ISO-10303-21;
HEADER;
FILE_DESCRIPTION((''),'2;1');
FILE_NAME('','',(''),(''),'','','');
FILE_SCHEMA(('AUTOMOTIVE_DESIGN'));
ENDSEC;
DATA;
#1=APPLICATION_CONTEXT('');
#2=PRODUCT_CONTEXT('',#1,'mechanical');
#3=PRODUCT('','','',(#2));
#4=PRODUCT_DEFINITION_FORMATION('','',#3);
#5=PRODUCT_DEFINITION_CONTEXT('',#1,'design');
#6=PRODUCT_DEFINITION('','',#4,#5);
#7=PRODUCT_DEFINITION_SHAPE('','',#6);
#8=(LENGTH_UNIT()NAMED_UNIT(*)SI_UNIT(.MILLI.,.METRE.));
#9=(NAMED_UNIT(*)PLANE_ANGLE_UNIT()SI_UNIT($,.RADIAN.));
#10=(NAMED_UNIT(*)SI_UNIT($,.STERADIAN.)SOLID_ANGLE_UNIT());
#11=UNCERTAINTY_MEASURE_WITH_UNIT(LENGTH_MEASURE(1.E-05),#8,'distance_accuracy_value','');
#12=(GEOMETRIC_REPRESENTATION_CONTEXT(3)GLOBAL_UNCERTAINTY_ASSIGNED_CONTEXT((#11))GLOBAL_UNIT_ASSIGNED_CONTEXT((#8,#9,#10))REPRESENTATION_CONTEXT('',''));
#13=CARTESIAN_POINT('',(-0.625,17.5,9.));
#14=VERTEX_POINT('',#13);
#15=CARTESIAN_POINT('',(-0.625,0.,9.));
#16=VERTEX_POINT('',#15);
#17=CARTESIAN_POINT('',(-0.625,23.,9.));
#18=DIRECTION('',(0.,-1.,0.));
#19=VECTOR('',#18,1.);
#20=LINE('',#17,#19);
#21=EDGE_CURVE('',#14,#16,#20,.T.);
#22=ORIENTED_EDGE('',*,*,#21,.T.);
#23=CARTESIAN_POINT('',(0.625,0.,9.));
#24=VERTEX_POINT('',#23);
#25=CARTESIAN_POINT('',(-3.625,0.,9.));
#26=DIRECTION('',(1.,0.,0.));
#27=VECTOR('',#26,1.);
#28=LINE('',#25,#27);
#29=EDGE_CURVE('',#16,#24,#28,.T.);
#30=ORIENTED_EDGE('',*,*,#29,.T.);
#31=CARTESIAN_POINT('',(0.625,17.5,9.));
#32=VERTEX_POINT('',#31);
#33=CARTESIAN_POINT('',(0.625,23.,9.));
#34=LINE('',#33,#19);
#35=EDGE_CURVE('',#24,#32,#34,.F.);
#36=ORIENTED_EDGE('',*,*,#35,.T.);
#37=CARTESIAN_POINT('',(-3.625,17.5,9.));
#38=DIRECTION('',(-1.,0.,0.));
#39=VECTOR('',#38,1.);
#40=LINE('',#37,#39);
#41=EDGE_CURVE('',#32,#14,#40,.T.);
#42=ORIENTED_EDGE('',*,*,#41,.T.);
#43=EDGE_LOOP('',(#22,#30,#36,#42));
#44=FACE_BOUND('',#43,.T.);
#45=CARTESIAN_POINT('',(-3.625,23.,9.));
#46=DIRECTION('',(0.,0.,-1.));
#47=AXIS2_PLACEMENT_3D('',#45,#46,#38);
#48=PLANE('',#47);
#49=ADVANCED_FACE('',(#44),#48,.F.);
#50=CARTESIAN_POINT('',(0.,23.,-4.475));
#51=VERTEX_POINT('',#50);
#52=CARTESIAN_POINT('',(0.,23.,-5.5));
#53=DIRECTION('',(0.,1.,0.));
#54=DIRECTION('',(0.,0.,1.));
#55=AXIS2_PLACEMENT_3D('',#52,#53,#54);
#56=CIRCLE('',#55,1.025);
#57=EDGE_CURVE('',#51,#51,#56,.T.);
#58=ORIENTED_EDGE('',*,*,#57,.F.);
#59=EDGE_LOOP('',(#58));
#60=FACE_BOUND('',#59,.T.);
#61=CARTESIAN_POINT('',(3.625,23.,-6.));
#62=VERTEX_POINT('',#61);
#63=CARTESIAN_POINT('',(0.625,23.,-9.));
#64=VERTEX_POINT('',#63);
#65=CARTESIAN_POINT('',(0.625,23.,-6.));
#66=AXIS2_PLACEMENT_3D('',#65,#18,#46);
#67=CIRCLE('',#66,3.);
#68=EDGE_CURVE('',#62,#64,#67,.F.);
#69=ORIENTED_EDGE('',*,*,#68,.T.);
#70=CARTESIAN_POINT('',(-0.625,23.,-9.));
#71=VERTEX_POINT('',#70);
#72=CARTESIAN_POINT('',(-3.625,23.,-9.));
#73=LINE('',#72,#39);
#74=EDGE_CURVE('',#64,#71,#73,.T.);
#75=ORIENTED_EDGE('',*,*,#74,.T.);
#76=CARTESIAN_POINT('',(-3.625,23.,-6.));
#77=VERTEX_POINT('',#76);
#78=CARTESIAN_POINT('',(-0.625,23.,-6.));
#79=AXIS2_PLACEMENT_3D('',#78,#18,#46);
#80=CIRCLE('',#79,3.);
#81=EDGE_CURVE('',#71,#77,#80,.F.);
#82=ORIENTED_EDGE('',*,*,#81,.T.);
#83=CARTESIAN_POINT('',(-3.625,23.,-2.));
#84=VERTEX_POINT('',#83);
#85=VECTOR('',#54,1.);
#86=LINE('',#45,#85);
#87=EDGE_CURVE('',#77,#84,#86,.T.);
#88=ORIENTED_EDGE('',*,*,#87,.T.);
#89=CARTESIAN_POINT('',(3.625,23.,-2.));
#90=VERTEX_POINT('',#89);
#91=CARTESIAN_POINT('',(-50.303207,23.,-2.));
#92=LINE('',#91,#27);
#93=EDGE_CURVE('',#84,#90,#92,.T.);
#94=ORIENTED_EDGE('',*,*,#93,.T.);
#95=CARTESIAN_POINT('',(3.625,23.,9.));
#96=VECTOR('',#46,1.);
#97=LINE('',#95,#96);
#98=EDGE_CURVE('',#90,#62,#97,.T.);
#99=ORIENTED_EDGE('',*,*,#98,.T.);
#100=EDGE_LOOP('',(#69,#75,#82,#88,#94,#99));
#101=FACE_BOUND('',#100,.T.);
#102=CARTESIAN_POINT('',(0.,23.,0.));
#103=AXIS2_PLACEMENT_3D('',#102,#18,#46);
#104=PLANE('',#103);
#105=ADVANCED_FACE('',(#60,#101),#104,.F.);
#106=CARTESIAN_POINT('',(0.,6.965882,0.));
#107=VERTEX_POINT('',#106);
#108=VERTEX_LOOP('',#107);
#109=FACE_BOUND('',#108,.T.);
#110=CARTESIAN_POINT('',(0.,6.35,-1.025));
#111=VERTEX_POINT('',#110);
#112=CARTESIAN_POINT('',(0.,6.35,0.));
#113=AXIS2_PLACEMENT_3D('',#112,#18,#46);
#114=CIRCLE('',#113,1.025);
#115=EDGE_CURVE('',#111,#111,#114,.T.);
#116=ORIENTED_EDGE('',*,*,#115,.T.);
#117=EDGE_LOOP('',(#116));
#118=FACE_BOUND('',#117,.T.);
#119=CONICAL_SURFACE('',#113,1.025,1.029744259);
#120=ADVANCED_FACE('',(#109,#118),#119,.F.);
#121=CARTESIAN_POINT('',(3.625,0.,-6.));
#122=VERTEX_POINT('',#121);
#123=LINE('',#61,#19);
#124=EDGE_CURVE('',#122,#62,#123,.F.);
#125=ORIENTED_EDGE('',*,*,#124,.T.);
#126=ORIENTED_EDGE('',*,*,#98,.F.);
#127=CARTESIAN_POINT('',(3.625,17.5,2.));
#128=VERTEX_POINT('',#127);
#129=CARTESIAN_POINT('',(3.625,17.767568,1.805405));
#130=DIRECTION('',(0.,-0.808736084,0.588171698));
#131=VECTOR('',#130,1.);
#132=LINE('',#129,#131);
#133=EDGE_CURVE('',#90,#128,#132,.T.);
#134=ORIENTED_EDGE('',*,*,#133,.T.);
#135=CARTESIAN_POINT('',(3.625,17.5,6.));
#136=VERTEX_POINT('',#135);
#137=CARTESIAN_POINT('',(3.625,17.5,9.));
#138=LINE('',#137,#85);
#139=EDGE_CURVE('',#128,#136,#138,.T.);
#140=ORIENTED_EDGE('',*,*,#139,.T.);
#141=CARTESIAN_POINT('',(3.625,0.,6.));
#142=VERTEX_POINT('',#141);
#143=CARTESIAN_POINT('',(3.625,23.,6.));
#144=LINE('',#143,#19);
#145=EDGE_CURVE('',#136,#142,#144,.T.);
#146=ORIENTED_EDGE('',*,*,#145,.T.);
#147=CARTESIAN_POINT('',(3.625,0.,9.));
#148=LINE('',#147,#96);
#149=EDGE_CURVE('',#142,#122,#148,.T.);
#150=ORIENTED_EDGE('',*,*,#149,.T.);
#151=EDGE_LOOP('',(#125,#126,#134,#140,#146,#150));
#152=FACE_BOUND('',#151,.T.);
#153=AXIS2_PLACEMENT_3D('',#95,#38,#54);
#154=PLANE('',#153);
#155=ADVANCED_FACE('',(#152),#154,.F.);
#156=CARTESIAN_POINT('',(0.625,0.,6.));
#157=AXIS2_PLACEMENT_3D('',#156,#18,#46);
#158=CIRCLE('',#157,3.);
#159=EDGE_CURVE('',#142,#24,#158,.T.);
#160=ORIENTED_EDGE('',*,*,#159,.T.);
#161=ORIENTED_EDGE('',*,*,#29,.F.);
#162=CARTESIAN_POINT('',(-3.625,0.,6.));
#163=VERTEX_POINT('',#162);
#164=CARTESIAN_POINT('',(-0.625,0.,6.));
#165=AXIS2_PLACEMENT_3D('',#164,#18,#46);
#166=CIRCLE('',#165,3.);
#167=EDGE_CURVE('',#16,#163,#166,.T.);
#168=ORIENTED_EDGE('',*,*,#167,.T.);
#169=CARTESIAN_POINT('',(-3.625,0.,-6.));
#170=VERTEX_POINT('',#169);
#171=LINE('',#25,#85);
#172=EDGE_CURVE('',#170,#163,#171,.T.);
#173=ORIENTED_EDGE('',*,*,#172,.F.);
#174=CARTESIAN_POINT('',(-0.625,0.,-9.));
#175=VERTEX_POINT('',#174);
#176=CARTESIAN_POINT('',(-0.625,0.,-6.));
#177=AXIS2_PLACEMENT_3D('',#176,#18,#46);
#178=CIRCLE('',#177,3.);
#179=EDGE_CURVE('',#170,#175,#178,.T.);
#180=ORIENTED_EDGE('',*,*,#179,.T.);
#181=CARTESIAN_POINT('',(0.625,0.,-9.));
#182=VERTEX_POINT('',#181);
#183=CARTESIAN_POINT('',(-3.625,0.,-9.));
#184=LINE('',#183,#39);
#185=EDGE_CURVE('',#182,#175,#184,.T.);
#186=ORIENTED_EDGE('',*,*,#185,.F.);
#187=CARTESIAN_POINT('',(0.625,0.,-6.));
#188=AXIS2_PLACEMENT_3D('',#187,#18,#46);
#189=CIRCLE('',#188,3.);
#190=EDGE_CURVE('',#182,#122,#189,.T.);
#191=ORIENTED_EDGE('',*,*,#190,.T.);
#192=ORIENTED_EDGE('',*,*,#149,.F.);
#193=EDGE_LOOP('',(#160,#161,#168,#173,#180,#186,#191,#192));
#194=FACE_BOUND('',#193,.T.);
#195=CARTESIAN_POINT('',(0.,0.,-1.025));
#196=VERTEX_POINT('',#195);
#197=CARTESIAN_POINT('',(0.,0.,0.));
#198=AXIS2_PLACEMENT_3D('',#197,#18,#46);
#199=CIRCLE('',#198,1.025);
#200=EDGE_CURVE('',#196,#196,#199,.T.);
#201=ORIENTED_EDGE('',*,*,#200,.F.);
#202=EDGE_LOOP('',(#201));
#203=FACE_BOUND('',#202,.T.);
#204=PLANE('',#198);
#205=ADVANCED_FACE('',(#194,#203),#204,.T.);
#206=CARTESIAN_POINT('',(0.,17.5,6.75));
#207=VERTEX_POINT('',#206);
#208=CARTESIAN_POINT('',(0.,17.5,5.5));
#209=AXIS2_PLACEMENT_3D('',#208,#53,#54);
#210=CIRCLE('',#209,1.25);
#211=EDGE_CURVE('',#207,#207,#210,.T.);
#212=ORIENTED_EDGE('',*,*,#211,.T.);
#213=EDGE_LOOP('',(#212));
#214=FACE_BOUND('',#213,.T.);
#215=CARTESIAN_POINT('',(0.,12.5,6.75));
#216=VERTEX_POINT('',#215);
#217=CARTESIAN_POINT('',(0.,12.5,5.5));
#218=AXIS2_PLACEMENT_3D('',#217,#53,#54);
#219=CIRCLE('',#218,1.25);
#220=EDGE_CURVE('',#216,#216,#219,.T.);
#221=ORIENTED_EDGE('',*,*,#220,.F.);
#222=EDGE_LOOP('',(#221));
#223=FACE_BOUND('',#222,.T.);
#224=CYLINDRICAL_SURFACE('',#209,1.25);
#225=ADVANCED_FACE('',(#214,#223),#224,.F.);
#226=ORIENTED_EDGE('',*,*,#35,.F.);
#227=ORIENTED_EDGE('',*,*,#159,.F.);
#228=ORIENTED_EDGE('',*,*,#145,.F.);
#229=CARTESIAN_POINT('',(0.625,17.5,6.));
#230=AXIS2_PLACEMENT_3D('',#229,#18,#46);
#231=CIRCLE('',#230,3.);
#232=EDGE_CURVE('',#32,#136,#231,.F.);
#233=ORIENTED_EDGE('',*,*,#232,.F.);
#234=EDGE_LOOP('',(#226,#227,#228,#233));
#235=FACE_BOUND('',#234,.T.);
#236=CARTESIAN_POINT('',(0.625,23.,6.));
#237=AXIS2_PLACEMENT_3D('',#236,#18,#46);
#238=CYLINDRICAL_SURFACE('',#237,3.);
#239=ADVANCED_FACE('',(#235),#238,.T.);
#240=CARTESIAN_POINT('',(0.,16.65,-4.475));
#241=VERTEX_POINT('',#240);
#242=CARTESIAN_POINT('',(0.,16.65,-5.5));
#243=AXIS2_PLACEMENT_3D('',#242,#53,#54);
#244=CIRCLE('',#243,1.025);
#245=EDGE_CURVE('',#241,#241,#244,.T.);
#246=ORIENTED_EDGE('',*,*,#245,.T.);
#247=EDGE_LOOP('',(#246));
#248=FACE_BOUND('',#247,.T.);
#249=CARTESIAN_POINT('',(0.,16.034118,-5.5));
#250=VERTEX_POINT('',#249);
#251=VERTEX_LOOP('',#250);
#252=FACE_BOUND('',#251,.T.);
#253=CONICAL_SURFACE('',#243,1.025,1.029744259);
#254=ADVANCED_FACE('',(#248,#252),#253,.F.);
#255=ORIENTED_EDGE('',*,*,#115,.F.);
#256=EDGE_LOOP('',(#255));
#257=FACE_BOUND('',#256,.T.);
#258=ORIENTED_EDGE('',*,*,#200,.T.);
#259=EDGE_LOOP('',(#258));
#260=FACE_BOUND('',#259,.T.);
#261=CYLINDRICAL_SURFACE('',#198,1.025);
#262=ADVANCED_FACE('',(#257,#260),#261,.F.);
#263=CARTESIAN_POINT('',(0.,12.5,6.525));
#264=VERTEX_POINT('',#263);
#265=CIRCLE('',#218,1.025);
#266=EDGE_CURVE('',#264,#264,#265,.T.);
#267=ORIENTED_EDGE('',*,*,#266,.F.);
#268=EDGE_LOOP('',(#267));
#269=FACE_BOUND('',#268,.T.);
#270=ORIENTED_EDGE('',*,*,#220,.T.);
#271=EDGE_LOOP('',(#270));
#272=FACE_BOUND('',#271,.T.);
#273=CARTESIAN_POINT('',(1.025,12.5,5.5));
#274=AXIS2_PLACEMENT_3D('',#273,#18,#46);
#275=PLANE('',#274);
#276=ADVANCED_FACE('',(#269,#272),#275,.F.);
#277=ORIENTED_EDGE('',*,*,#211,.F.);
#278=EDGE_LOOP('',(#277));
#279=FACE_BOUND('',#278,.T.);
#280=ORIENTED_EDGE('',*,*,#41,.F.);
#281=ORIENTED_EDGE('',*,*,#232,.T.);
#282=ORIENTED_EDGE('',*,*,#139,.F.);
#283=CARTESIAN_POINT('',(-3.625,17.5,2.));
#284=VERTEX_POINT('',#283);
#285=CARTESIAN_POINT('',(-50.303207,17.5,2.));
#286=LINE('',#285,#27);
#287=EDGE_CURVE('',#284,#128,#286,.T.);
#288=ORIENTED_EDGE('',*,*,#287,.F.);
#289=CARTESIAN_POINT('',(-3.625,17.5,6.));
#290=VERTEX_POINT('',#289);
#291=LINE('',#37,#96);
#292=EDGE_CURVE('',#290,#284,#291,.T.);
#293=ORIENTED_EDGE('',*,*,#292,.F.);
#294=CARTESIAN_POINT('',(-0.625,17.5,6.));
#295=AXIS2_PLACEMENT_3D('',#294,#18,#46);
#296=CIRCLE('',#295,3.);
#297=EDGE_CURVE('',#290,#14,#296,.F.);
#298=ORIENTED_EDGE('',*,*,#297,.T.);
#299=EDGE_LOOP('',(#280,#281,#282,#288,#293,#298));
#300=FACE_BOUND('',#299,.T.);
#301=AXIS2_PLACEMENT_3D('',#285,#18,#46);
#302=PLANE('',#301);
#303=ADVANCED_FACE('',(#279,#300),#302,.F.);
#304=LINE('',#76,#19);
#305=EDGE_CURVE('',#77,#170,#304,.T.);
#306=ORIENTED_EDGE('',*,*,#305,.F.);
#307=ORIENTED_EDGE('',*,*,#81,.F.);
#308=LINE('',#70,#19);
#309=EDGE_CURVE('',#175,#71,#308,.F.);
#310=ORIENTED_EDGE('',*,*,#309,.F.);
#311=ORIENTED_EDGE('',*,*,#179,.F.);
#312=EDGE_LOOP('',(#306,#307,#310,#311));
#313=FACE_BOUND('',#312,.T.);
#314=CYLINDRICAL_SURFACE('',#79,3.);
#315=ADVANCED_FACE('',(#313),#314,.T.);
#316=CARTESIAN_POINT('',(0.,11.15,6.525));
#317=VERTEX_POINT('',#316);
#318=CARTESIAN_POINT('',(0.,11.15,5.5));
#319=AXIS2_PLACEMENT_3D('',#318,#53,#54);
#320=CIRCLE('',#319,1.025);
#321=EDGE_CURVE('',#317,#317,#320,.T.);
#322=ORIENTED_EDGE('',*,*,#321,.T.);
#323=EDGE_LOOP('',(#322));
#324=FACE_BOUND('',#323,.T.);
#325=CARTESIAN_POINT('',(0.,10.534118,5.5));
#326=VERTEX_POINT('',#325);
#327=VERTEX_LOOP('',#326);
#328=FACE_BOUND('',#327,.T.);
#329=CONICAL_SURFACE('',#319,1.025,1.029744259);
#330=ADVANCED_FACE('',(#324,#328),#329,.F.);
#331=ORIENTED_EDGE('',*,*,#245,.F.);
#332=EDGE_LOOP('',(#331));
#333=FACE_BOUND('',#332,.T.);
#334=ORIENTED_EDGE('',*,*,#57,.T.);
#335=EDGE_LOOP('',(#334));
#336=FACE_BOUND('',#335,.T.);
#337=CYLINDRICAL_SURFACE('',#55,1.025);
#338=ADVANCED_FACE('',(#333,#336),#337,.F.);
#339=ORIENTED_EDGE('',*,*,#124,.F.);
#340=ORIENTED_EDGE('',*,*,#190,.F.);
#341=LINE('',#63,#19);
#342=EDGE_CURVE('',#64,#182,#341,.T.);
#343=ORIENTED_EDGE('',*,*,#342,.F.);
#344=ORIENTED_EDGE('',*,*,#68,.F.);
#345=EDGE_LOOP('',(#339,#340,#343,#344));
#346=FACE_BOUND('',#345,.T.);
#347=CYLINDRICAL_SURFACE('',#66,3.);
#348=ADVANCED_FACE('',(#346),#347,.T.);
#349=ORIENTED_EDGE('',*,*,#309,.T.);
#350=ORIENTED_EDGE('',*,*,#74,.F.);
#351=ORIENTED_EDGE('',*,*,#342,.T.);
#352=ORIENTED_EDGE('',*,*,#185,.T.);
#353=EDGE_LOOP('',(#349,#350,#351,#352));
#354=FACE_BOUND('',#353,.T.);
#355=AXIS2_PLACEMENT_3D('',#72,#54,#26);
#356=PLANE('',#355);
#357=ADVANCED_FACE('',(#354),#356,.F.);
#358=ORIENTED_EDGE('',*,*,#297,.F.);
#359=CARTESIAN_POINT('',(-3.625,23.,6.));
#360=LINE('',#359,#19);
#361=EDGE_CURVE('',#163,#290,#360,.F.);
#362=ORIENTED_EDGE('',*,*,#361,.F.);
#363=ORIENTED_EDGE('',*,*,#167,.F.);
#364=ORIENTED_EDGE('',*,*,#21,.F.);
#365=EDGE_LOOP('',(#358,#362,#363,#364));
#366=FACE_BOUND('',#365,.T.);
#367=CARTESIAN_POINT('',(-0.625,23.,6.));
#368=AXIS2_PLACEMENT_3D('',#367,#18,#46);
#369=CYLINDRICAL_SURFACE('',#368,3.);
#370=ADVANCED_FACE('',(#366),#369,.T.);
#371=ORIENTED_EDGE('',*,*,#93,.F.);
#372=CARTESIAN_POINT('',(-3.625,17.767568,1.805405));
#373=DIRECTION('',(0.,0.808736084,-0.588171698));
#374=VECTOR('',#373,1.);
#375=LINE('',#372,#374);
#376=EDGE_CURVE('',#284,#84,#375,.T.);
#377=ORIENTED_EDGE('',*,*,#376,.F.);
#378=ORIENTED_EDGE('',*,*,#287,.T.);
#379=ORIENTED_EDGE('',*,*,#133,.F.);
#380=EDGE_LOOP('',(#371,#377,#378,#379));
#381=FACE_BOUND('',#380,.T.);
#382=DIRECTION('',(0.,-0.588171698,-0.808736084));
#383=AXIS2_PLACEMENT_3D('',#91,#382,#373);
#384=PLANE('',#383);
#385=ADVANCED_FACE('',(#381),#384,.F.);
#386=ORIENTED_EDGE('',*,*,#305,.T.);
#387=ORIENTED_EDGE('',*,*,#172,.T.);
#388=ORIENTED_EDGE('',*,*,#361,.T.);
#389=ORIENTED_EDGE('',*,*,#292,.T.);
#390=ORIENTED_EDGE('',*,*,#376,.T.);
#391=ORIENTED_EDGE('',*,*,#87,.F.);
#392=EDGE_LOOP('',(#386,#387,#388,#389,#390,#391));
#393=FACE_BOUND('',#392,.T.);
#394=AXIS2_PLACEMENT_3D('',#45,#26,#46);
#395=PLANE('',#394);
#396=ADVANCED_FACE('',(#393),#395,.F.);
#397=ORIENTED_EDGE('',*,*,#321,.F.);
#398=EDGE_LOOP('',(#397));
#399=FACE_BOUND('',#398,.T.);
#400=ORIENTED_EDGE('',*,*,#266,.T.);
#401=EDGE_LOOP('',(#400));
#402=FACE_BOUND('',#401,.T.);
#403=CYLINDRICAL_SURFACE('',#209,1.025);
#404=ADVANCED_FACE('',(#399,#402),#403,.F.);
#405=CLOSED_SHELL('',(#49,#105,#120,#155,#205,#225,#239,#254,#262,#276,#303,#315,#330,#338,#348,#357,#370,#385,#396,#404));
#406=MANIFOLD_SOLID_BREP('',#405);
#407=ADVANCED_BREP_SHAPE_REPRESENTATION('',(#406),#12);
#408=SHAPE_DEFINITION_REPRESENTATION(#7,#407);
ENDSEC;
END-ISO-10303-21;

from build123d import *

# Parameters (mm, degrees)
SKETCH1_W                          = 7.25
SKETCH1_H                          = 18
BOSS_EXTRUDE1_DEPTH                = 23
CUT_EXTRUDE1_DEPTH                 = 1
CUT_EXTRUDE1_DEPTH_BACK            = 8.25
M2_5X0_45_TAPPED_HOLE1_D           = 2.05
M2_5X0_45_TAPPED_HOLE1_DEPTH       = 6.35
M2_5X0_45_TAPPED_HOLE1_TIP         = 0.615882135
M2_5X0_45_TAPPED_HOLE2_D           = 2.05
M2_5X0_45_TAPPED_HOLE2_DEPTH       = 6.35
M2_5X0_45_TAPPED_HOLE2_TIP         = 0.615882135
M2_5X0_45_TAPPED_HOLE3_D           = 2.05
M2_5X0_45_TAPPED_HOLE3_DEPTH       = 6.35
M2_5X0_45_TAPPED_HOLE3_CBORE_D     = 2.5
M2_5X0_45_TAPPED_HOLE3_CBORE_DEPTH = 5
M2_5X0_45_TAPPED_HOLE3_TIP         = 0.615882135
FILLET1_R                          = 3


with BuildPart() as part:
    # Sketch1 → Boss-Extrude1 (new body)
    with BuildSketch(Plane(origin=(0, 0, 0), x_dir=(1, 0, 0), z_dir=(0, 1, 0))):
        Rectangle(SKETCH1_W, SKETCH1_H)
    extrude(amount=BOSS_EXTRUDE1_DEPTH)

    # Sketch2 → Cut-Extrude1 (cut, two sides)
    with BuildSketch(Plane.ZY.offset(3.625)) as cut_extrude1_sk:
        Polygon((-77.412327466, 23), (-9, 23), (-2, 23), (2, 17.5), (9, 17.5), (77.412327466, 17.5), (82.269830407, 154.238403027), (-72.554824525, 159.738403027), align=None)
    extrude(amount=CUT_EXTRUDE1_DEPTH, mode=Mode.SUBTRACT)
    extrude(cut_extrude1_sk.sketch, amount=-CUT_EXTRUDE1_DEPTH_BACK, mode=Mode.SUBTRACT)

    # M2.5x0.45 Tapped Hole1
    with Locations(Plane(origin=(0, 0, 0), x_dir=(-1, 0, 0), z_dir=(0, -1, 0))):
        with Locations((0, 0)):
            Hole(M2_5X0_45_TAPPED_HOLE1_D / 2, depth=M2_5X0_45_TAPPED_HOLE1_DEPTH)
            with Locations((0, 0, -(M2_5X0_45_TAPPED_HOLE1_DEPTH + M2_5X0_45_TAPPED_HOLE1_TIP / 2))):  # 118° drill point
                Cone(0, M2_5X0_45_TAPPED_HOLE1_D / 2, M2_5X0_45_TAPPED_HOLE1_TIP, mode=Mode.SUBTRACT)

    # M2.5x0.45 Tapped Hole2
    with Locations(Plane(origin=(0, 23, 0), x_dir=(1, 0, 0), z_dir=(0, 1, 0))):
        with Locations((0, 5.5)):
            Hole(M2_5X0_45_TAPPED_HOLE2_D / 2, depth=M2_5X0_45_TAPPED_HOLE2_DEPTH)
            with Locations((0, 0, -(M2_5X0_45_TAPPED_HOLE2_DEPTH + M2_5X0_45_TAPPED_HOLE2_TIP / 2))):  # 118° drill point
                Cone(0, M2_5X0_45_TAPPED_HOLE2_D / 2, M2_5X0_45_TAPPED_HOLE2_TIP, mode=Mode.SUBTRACT)

    # M2.5x0.45 Tapped Hole3
    with Locations(Plane(origin=(0, 17.5, 0), x_dir=(1, 0, 0), z_dir=(0, 1, 0))):
        with Locations((0, -5.5)):
            CounterBoreHole(M2_5X0_45_TAPPED_HOLE3_D / 2, M2_5X0_45_TAPPED_HOLE3_CBORE_D / 2, M2_5X0_45_TAPPED_HOLE3_CBORE_DEPTH, depth=M2_5X0_45_TAPPED_HOLE3_DEPTH)
            with Locations((0, 0, -(M2_5X0_45_TAPPED_HOLE3_DEPTH + M2_5X0_45_TAPPED_HOLE3_TIP / 2))):  # 118° drill point
                Cone(0, M2_5X0_45_TAPPED_HOLE3_D / 2, M2_5X0_45_TAPPED_HOLE3_TIP, mode=Mode.SUBTRACT)

    # Fillet1
    fillet1_edges = [part.edges().sort_by_distance(p)[0] for p in [
        (3.625, 8.75, 9),
        (-3.625, 8.75, 9),
        (-3.625, 11.5, -9),
        (3.625, 11.5, -9),
    ]]
    fillet(fillet1_edges, radius=FILLET1_R)


solid = part.part
